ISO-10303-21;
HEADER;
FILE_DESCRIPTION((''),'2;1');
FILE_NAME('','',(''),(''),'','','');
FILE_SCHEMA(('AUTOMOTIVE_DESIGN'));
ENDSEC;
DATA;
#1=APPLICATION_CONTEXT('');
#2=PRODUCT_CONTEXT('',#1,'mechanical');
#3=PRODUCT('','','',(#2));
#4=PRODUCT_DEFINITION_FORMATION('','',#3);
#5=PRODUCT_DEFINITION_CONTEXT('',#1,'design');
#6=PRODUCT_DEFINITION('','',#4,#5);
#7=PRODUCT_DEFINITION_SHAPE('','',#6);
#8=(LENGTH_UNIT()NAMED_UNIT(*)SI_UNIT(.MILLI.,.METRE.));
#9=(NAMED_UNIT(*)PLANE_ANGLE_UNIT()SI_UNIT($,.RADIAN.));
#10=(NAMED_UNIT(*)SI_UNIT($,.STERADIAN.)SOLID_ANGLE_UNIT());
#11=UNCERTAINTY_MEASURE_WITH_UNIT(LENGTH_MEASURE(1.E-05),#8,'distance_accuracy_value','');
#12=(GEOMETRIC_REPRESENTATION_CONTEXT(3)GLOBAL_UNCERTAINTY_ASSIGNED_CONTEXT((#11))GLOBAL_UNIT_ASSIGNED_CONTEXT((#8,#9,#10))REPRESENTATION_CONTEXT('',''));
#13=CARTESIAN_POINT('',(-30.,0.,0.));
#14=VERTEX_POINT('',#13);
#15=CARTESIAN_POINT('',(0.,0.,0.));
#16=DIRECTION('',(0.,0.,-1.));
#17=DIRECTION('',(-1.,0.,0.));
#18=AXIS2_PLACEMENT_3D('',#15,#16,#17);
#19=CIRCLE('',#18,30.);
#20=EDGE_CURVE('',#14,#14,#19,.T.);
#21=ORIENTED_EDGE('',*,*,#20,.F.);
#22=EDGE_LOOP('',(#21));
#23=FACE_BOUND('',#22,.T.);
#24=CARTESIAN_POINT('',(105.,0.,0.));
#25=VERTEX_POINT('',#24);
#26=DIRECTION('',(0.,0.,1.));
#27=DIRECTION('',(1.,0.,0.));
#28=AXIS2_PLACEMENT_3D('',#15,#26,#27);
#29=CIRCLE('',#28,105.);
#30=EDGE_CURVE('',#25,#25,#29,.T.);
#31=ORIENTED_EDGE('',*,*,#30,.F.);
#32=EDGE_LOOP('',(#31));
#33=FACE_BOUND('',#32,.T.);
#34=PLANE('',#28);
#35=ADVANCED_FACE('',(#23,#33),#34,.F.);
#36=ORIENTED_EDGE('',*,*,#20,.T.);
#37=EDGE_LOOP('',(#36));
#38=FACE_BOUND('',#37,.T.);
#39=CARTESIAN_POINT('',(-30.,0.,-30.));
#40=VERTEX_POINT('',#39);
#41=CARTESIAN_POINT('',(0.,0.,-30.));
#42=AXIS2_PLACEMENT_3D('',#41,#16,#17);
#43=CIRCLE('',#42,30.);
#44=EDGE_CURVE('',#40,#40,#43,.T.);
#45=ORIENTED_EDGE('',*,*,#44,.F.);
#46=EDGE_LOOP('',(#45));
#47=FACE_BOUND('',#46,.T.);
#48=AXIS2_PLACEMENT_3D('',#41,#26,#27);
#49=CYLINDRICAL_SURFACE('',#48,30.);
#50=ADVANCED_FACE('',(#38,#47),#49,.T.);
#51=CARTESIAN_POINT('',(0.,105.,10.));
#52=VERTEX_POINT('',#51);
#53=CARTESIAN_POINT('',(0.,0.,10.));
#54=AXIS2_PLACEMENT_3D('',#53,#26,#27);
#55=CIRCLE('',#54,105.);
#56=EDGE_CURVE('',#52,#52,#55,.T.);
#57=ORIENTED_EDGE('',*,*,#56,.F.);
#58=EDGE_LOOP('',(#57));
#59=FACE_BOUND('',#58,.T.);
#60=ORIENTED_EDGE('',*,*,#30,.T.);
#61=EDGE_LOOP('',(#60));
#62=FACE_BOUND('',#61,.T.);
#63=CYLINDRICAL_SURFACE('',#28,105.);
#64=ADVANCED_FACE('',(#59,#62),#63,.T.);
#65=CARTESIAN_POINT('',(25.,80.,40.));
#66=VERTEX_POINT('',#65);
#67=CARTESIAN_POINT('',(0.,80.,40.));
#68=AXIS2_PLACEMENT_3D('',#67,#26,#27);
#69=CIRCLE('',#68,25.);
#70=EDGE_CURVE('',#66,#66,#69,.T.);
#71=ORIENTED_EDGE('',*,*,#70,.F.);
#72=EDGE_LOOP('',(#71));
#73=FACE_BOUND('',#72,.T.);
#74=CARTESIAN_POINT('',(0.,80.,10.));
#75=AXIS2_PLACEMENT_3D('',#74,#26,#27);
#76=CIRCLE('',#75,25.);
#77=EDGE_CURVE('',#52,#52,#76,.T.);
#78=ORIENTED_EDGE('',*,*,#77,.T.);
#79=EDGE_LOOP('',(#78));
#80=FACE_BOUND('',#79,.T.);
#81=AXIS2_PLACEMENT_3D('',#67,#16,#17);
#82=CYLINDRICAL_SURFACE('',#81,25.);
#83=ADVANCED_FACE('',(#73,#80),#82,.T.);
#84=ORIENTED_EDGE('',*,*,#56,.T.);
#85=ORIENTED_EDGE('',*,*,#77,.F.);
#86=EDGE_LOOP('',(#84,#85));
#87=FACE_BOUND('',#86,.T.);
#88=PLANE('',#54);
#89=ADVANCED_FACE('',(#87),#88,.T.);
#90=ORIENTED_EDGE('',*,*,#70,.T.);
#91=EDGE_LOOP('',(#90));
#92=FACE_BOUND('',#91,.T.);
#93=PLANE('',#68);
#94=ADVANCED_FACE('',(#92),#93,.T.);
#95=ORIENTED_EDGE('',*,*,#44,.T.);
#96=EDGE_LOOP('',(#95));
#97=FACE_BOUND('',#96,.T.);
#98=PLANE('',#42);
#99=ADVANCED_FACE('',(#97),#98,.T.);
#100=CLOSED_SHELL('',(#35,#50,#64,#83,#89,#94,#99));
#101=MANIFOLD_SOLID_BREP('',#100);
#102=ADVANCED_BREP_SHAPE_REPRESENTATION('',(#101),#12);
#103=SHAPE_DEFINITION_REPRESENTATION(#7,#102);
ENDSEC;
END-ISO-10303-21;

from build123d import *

# Parameters (mm, degrees)
SKETCH1_R           = 115
BOSS_EXTRUDE1_DEPTH = 10
SKETCH2_R           = 25
BOSS_EXTRUDE2_DEPTH = 30
SKETCH3_R           = 30
BOSS_EXTRUDE3_DEPTH = 30
CUT_EXTRUDE2_START  = -10
SKETCH4_R           = 115
SKETCH4_R_2         = 105
CUT_EXTRUDE2_DEPTH  = 10


with BuildPart() as part:
    # Sketch1 → Boss-Extrude1 (new body)
    with BuildSketch(Plane.XY):
        Circle(SKETCH1_R)
    extrude(amount=BOSS_EXTRUDE1_DEPTH)

    # Sketch2 → Boss-Extrude2 (add)
    with BuildSketch(Plane.XY.offset(10)):
        with Locations((0, 80)):
            Circle(SKETCH2_R)
    extrude(amount=BOSS_EXTRUDE2_DEPTH)

    # Sketch3 → Boss-Extrude3 (add)
    with BuildSketch(Plane(origin=(0, 0, 0), x_dir=(-1, 0, 0), z_dir=(0, 0, -1))):
        Circle(SKETCH3_R)
    extrude(amount=BOSS_EXTRUDE3_DEPTH)

    # Sketch4 → Cut-Extrude2 (cut)
    with BuildSketch(Plane.XY.offset(10).offset(CUT_EXTRUDE2_START)):
        Circle(SKETCH4_R)
        Circle(SKETCH4_R_2, mode=Mode.SUBTRACT)
    extrude(amount=CUT_EXTRUDE2_DEPTH, mode=Mode.SUBTRACT)


solid = part.part
